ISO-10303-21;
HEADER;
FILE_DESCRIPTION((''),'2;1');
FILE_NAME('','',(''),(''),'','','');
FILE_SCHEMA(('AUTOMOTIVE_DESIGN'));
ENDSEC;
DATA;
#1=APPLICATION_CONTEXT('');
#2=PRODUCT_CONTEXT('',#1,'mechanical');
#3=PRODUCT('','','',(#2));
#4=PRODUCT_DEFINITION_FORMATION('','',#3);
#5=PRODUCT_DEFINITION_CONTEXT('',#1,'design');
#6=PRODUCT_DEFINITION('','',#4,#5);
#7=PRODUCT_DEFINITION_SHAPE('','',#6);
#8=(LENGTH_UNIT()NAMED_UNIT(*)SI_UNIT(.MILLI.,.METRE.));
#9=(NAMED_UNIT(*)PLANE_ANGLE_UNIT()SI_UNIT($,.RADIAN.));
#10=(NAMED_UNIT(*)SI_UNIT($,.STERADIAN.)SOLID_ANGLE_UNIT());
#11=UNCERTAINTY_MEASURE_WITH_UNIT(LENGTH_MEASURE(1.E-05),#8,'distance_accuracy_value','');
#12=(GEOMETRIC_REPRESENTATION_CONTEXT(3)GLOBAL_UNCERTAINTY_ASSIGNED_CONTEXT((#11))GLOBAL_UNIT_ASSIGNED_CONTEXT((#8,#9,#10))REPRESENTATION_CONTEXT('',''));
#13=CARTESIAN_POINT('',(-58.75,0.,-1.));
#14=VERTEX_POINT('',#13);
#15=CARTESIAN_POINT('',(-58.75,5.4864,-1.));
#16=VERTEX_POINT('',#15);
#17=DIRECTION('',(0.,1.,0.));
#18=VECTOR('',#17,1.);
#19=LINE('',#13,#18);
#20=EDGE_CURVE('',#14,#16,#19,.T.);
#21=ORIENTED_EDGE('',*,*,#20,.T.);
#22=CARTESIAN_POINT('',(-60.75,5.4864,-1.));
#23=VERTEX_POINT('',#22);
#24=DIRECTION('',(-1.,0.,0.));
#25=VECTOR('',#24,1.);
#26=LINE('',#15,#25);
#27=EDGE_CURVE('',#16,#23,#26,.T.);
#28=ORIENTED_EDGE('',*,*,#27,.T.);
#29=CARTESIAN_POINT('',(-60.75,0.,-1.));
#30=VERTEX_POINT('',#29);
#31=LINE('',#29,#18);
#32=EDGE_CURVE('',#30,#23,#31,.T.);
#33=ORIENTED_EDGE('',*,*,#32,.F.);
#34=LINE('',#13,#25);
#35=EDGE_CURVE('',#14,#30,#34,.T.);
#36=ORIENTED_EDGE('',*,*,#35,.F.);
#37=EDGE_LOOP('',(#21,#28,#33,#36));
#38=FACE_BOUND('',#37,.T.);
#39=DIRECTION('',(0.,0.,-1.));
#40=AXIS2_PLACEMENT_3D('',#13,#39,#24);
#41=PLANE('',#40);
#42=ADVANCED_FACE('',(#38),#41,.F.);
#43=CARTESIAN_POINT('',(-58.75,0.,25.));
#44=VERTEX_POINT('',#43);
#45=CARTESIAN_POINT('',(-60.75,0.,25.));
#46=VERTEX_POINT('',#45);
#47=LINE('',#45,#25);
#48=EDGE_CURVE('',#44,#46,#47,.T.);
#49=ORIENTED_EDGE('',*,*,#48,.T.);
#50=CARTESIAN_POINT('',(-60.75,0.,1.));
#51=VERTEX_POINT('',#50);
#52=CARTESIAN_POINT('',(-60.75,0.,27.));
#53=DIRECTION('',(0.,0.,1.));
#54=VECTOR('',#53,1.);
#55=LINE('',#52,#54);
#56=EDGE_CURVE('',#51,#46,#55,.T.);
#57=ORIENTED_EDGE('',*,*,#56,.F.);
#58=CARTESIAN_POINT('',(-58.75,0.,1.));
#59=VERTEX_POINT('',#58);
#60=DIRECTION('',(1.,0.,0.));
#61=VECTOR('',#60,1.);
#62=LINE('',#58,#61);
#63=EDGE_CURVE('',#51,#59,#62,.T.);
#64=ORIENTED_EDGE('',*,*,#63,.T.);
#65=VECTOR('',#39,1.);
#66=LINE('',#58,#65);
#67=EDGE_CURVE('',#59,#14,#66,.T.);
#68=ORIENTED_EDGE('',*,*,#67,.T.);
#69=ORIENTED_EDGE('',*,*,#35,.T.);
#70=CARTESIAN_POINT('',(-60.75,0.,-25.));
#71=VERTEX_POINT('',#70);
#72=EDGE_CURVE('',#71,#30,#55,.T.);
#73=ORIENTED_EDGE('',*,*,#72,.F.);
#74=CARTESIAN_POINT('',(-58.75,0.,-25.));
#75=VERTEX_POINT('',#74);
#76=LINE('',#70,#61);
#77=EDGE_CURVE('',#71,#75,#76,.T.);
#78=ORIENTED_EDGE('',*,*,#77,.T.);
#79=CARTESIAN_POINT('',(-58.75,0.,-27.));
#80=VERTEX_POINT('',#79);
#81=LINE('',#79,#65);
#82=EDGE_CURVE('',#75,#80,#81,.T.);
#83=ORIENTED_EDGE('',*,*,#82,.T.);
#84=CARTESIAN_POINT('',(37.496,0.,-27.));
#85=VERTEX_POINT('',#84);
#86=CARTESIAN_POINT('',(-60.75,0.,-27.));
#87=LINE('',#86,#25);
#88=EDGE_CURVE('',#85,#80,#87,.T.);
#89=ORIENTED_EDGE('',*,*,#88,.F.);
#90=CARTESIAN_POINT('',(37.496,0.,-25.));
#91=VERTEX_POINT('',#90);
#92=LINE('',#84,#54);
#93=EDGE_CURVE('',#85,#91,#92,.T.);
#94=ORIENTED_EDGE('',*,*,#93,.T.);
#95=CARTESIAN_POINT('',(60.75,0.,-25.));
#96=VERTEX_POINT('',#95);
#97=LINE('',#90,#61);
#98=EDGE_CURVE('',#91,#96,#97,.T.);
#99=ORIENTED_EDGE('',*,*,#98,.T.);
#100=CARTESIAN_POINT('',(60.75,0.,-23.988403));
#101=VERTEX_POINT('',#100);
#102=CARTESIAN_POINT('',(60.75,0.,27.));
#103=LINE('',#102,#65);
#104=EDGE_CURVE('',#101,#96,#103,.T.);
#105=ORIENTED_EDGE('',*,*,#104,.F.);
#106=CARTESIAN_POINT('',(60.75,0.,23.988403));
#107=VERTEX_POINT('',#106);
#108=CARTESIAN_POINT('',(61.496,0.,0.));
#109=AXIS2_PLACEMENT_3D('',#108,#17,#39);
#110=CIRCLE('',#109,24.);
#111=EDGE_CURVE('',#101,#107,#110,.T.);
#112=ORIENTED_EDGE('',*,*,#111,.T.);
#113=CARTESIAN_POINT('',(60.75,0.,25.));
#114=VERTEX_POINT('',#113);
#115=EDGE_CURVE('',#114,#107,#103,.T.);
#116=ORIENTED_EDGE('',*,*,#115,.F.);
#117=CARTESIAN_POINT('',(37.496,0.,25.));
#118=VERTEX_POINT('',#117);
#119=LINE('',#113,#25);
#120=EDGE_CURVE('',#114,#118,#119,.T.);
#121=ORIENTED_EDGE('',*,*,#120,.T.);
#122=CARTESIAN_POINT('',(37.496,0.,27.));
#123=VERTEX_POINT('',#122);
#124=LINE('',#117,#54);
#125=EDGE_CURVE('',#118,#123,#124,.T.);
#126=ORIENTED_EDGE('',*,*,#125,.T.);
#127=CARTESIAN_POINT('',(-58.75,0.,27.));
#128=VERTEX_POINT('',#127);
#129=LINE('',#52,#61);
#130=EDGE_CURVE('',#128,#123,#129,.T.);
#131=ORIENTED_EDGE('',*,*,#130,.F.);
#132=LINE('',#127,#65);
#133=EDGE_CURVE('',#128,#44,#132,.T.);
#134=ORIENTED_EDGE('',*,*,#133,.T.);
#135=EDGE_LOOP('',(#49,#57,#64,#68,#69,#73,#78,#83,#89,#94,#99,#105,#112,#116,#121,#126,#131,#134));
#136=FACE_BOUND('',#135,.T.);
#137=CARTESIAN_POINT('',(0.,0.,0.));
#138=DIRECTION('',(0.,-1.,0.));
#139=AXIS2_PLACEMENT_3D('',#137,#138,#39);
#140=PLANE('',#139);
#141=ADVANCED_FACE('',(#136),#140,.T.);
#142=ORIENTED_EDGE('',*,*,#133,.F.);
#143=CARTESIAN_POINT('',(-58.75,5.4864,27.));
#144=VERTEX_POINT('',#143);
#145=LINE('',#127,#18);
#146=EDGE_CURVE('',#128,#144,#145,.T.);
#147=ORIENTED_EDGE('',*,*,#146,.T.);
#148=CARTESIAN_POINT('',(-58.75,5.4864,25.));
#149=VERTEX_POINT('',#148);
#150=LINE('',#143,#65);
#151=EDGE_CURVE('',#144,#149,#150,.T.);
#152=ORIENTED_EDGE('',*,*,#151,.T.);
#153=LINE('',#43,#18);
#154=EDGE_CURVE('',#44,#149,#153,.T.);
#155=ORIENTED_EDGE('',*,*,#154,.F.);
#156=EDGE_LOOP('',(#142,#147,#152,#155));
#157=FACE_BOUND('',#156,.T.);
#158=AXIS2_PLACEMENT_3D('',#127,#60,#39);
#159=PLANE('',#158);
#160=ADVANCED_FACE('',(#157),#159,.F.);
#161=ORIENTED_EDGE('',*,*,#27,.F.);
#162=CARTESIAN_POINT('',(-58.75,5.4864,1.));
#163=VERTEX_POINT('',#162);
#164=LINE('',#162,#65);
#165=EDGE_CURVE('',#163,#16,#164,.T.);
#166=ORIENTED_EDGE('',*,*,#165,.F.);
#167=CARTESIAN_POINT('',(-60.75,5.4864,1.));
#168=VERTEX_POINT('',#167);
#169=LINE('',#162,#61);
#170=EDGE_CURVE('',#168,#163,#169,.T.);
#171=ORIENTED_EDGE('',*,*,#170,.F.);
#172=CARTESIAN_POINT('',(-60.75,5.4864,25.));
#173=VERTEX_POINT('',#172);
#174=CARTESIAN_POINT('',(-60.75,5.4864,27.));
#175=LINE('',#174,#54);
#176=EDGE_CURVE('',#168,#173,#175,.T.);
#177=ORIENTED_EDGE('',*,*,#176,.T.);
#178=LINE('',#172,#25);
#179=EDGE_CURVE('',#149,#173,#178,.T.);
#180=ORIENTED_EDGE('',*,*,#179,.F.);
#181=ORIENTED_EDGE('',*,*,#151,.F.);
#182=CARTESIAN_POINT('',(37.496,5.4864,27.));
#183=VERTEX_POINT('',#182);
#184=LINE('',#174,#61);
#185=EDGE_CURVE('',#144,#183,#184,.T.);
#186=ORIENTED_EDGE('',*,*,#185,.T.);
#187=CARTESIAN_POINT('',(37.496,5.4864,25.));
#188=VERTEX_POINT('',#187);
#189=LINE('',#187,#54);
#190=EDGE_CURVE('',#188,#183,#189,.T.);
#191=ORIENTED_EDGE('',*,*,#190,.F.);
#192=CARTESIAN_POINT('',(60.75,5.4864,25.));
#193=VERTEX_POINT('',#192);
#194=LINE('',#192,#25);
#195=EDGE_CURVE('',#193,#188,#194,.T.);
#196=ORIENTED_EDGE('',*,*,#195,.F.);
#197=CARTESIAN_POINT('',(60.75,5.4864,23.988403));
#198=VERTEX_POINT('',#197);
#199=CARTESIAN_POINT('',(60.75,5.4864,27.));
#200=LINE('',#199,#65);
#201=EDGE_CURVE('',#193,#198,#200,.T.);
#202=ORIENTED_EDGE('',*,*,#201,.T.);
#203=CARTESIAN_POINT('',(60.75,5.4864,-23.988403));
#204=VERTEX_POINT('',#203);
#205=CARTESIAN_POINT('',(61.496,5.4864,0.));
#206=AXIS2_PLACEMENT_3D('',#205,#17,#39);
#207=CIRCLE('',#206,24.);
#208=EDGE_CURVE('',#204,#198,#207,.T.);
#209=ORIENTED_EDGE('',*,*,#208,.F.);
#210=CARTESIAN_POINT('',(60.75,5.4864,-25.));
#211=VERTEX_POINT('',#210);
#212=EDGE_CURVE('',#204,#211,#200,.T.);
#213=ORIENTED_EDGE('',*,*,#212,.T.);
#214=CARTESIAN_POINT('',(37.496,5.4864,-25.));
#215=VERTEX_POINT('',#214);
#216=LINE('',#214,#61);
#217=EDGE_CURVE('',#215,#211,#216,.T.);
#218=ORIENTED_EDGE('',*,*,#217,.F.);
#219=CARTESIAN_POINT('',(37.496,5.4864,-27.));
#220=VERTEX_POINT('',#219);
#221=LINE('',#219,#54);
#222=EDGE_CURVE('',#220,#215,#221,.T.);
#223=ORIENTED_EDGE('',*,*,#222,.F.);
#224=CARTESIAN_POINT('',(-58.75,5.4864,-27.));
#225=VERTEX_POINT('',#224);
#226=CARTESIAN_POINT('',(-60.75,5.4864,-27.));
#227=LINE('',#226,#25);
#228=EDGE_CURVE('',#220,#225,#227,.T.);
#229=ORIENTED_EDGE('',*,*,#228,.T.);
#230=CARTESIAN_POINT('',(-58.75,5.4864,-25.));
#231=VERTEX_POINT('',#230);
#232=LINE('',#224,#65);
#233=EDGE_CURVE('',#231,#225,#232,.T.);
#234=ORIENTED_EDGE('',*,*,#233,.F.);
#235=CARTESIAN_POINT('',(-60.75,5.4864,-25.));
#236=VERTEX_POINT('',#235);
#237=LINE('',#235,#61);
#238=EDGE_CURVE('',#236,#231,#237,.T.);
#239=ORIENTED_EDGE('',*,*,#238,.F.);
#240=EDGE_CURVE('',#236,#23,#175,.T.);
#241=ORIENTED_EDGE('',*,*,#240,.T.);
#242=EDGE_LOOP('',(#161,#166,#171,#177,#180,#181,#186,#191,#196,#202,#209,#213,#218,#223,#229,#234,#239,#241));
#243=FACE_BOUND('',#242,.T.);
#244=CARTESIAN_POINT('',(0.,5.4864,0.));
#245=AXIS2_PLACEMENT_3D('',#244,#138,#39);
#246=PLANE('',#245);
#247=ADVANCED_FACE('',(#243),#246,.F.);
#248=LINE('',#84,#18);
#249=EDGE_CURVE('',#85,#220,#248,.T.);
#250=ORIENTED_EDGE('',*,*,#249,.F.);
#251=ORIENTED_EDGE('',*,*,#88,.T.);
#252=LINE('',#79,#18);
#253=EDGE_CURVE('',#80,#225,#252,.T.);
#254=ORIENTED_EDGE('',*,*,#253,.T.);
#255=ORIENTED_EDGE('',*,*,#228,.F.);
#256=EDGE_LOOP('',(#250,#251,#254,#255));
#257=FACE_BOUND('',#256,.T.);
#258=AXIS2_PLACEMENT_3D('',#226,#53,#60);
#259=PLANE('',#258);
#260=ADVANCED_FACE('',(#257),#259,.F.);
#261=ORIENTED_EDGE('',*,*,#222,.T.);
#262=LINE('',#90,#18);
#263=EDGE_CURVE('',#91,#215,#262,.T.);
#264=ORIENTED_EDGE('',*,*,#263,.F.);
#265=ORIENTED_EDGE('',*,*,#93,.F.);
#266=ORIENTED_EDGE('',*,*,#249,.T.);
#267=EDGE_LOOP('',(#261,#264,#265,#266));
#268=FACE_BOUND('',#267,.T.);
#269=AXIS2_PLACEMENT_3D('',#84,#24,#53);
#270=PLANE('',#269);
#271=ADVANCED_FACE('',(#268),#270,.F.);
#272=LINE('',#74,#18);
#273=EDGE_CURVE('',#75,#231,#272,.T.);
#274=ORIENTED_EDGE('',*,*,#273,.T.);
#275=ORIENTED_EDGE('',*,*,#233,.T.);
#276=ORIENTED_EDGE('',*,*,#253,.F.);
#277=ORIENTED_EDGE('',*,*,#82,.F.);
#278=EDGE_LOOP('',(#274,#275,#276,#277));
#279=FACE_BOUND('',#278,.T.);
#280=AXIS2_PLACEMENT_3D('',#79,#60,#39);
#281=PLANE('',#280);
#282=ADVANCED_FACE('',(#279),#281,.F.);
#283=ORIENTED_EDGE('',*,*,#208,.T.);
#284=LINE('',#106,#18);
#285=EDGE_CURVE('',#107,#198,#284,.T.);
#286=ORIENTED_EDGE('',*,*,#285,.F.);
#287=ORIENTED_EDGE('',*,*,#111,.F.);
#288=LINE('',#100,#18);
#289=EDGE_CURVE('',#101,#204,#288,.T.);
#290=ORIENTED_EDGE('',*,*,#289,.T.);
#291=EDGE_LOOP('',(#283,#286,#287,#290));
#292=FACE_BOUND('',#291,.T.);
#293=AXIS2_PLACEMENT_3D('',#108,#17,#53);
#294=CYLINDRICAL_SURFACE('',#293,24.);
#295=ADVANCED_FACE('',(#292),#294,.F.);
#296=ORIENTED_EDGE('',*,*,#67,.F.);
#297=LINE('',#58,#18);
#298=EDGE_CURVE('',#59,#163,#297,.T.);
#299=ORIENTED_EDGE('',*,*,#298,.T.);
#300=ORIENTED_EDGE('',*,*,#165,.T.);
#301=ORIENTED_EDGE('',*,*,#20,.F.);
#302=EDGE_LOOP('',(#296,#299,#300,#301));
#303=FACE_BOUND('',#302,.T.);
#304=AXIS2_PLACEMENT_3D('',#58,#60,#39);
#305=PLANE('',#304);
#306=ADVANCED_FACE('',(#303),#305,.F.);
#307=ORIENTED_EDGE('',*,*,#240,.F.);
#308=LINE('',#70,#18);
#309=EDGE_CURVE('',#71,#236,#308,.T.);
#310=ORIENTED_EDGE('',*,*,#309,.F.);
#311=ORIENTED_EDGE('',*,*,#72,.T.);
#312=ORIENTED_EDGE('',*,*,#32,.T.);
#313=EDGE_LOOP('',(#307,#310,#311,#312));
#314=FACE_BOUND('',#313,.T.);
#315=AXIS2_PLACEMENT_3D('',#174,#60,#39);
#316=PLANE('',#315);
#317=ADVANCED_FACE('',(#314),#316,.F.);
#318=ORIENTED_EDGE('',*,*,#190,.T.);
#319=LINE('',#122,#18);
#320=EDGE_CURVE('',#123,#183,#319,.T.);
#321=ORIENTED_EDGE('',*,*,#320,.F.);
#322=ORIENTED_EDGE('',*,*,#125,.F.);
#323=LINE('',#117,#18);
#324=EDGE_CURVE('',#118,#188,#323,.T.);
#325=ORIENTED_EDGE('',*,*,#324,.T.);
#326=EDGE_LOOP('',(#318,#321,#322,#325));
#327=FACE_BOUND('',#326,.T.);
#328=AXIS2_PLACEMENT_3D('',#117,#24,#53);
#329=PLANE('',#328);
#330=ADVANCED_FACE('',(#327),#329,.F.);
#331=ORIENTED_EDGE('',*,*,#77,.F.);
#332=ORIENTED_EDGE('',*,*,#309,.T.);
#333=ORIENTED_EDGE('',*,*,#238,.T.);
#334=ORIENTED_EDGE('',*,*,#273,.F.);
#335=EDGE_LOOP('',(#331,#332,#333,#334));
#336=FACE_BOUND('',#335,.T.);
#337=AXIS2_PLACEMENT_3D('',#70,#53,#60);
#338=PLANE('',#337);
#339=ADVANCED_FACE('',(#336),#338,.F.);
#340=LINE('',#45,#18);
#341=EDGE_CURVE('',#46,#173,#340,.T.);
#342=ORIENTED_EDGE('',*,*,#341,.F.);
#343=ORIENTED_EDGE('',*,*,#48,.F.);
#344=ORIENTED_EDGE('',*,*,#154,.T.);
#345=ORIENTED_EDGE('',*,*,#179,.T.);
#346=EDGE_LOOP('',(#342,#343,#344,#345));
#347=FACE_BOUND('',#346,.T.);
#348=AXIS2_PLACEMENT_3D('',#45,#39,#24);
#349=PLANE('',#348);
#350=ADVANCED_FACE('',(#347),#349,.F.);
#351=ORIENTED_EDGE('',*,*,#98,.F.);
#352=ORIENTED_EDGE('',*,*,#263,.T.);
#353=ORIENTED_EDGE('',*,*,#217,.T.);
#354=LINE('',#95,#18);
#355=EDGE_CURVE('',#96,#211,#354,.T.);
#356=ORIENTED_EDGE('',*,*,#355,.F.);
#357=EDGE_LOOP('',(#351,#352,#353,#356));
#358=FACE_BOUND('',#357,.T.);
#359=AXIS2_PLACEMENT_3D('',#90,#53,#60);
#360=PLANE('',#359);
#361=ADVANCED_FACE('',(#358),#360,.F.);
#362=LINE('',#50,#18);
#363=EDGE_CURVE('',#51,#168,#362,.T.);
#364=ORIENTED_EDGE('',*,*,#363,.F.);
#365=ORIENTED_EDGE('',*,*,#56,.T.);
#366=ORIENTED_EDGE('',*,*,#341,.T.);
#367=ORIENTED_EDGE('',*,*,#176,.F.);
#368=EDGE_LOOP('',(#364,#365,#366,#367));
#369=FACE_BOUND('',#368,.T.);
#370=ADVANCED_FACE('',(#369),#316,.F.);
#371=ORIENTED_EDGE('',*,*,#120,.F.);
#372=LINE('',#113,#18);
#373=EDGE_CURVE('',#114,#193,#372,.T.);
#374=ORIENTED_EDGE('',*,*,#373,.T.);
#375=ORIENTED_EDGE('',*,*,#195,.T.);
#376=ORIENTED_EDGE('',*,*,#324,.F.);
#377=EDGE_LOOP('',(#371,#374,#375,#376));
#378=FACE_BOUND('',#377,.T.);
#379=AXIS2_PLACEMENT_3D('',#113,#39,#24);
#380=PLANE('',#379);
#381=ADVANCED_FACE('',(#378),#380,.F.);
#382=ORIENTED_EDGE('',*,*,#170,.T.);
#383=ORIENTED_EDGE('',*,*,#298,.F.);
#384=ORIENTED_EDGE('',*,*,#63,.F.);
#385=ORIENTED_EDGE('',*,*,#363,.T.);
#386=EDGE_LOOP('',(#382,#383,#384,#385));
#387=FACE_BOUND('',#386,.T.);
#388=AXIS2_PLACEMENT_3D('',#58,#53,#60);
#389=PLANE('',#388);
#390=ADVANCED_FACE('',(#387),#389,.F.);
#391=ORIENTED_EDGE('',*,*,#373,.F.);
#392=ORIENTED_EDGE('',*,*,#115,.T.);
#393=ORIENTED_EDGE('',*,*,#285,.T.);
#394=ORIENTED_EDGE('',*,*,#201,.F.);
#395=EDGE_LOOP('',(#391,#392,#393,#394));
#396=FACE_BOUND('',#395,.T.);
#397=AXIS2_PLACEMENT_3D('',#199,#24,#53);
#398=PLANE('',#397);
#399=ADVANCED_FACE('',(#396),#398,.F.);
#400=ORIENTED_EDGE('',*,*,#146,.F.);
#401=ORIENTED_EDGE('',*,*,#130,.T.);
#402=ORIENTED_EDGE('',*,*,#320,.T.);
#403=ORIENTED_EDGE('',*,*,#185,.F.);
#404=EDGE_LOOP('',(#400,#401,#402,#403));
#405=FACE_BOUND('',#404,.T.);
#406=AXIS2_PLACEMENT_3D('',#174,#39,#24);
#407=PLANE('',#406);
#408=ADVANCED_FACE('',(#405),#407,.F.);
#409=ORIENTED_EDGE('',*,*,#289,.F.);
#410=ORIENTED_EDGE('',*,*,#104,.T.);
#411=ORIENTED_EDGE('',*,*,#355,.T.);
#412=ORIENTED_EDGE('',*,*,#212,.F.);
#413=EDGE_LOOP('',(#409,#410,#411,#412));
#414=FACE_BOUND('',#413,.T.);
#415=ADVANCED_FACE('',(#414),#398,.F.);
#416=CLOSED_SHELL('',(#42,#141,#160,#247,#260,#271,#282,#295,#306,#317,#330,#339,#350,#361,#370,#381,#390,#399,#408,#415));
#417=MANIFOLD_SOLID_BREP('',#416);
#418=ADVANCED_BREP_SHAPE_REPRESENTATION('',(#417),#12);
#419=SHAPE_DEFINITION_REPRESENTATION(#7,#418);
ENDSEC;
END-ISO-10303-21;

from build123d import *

# Parameters (mm, degrees)
SKETCH1_W           = 121.5
SKETCH1_H           = 54
BOSS_EXTRUDE1_DEPTH = 5.4864
SKETCH2_W           = 2
SKETCH2_H           = 2
SKETCH2_W_2         = 23.254
CUT_EXTRUDE1_DEPTH  = 67.705794988


with BuildPart() as part:
    # Sketch1 → Boss-Extrude1 (new body)
    with BuildSketch(Plane(origin=(0, 0, 0), x_dir=(1, 0, 0), z_dir=(0, 1, 0))):
        Rectangle(SKETCH1_W, SKETCH1_H)
    extrude(amount=BOSS_EXTRUDE1_DEPTH)

    # Sketch2 → Cut-Extrude1 (cut, through all)
    with BuildSketch(Plane(origin=(0, 5.4864, 0), x_dir=(1, 0, 0), z_dir=(0, 1, 0))):
        with Locations((-59.75, 0)):
            Rectangle(SKETCH2_W, SKETCH2_H)
        with Locations((-59.75, 26)):
            Rectangle(SKETCH2_W, SKETCH2_H)
        with Locations((-59.75, -26)):
            Rectangle(SKETCH2_W, SKETCH2_H)
        with Locations((49.123, 26)):
            Rectangle(SKETCH2_W_2, SKETCH2_H)
        with Locations((49.123, -26)):
            Rectangle(SKETCH2_W_2, SKETCH2_H)
        with BuildLine():
            Line((60.75, 23.988403115), (60.75, -23.988403115))
            ThreePointArc((60.75, -23.988403115), (37.496, 0), (60.75, 23.988403115))
        make_face()
    extrude(amount=-CUT_EXTRUDE1_DEPTH, mode=Mode.SUBTRACT)


solid = part.part
